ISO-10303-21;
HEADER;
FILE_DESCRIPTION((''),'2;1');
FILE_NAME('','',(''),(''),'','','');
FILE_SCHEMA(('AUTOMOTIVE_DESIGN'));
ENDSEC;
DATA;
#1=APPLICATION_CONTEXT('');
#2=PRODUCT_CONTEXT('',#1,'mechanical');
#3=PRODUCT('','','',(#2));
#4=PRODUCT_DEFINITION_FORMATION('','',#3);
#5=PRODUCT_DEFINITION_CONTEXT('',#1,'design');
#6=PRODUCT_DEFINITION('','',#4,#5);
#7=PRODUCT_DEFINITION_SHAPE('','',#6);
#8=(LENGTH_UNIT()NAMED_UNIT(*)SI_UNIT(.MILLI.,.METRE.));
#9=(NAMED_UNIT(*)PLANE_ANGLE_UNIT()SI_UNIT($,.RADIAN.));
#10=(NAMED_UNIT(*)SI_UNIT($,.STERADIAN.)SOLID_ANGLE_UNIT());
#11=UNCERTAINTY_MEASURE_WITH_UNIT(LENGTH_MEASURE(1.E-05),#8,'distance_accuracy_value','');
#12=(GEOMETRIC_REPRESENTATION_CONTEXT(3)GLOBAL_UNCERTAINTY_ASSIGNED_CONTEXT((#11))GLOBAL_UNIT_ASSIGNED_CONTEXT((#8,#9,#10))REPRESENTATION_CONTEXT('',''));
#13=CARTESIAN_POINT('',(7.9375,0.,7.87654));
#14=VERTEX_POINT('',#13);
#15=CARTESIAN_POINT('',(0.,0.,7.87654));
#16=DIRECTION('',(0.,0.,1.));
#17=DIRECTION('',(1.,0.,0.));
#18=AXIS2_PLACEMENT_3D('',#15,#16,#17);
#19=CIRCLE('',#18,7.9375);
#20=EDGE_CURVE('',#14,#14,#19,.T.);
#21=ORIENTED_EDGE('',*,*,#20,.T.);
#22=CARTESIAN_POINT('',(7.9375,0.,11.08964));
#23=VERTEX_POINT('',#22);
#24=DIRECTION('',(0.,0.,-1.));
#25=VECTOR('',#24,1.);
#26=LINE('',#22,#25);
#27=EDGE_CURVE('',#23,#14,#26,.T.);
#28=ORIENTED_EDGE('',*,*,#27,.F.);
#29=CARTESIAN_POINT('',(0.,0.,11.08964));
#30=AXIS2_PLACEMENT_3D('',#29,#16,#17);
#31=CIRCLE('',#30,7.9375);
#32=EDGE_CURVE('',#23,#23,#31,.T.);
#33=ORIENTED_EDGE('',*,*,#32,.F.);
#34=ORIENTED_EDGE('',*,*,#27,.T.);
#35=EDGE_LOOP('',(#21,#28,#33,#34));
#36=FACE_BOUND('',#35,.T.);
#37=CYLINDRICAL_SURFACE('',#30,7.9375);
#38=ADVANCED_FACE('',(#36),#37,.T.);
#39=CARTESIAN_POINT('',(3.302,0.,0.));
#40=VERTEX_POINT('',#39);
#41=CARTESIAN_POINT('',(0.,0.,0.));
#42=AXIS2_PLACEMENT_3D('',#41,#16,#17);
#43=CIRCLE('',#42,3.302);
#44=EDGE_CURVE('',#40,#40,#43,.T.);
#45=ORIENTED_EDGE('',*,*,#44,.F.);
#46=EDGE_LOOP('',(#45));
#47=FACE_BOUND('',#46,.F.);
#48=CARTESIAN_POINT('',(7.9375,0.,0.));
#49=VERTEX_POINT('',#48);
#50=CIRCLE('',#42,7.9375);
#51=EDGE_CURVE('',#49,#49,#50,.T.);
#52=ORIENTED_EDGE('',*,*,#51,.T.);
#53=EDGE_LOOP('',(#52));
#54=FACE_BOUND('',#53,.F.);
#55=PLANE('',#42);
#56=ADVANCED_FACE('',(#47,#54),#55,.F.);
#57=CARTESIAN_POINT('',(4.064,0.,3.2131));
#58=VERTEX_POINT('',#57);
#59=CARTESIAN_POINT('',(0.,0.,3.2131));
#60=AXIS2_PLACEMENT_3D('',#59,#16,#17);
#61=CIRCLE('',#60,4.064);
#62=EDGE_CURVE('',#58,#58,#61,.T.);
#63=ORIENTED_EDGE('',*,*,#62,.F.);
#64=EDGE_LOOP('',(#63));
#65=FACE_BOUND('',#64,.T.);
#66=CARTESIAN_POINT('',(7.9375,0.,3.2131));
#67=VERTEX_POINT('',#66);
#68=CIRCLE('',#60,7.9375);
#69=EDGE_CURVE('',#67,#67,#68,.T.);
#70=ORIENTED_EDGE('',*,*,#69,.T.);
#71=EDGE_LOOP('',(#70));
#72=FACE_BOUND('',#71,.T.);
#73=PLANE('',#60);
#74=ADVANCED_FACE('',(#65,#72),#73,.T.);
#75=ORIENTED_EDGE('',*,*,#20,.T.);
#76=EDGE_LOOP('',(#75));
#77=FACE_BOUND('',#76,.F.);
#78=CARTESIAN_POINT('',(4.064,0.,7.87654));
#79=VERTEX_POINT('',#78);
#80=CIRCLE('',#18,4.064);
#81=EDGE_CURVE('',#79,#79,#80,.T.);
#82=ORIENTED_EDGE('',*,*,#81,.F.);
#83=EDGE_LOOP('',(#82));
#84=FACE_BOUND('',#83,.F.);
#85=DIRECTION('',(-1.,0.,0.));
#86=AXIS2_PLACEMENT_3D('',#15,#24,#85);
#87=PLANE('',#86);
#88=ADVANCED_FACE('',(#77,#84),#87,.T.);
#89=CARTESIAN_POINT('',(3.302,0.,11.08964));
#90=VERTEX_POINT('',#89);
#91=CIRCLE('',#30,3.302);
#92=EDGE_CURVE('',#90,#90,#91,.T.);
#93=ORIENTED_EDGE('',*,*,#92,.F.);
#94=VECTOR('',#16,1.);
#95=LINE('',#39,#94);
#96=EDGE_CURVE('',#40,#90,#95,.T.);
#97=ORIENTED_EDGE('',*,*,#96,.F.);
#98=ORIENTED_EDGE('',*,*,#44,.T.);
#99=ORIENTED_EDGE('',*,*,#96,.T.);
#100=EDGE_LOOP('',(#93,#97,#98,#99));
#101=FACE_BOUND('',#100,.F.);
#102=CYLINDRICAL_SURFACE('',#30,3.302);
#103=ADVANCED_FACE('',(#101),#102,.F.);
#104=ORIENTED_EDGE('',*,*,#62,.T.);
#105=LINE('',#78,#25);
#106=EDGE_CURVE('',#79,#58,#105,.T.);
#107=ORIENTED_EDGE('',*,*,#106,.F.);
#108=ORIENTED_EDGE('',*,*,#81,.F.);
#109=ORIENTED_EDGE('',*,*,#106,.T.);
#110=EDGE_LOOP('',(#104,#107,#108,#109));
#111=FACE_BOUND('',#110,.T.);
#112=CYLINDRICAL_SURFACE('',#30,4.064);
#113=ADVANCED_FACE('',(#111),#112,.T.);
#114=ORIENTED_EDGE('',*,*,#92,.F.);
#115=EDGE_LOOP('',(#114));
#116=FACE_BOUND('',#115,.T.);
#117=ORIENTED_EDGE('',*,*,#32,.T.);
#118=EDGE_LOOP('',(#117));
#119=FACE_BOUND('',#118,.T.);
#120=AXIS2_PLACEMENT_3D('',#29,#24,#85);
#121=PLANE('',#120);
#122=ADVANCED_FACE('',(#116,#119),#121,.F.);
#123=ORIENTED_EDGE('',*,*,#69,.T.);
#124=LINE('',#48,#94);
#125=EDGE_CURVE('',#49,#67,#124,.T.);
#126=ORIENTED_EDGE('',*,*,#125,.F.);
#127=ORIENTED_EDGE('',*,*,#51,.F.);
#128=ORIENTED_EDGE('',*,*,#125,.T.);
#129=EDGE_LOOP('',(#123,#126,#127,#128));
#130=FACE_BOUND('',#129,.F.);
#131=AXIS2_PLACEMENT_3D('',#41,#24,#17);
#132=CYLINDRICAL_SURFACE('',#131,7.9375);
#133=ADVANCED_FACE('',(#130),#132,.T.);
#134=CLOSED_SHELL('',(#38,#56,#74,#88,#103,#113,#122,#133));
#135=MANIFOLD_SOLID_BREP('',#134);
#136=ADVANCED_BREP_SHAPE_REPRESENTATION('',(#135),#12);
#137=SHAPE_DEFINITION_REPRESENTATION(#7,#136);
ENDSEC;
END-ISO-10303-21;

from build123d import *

# Parameters (mm, degrees)
F0_R     = 4.064
F0_R_2   = 3.302
F1_DEPTH = 5.54482
F0_R_3   = 7.9375
F2_DEPTH = 3.2131


with BuildPart() as f1:
    # F0 (on Top) → F1 (new body)
    with BuildSketch(Plane.XY):
        Circle(F0_R)
        Circle(F0_R_2, mode=Mode.SUBTRACT)
    extrude(amount=F1_DEPTH)

    # F0 (on Top) → F2 (join)
    with BuildSketch(Plane.XY):
        Circle(F0_R_3)
        Circle(F0_R, mode=Mode.SUBTRACT)
    extrude(amount=F2_DEPTH)

    # F3: F1 across face


with BuildPart() as f1_1:
    add(f1.part)
    add(f1.part.mirror(Plane.XY.offset(5.54482)))


solid = f1_1.part
